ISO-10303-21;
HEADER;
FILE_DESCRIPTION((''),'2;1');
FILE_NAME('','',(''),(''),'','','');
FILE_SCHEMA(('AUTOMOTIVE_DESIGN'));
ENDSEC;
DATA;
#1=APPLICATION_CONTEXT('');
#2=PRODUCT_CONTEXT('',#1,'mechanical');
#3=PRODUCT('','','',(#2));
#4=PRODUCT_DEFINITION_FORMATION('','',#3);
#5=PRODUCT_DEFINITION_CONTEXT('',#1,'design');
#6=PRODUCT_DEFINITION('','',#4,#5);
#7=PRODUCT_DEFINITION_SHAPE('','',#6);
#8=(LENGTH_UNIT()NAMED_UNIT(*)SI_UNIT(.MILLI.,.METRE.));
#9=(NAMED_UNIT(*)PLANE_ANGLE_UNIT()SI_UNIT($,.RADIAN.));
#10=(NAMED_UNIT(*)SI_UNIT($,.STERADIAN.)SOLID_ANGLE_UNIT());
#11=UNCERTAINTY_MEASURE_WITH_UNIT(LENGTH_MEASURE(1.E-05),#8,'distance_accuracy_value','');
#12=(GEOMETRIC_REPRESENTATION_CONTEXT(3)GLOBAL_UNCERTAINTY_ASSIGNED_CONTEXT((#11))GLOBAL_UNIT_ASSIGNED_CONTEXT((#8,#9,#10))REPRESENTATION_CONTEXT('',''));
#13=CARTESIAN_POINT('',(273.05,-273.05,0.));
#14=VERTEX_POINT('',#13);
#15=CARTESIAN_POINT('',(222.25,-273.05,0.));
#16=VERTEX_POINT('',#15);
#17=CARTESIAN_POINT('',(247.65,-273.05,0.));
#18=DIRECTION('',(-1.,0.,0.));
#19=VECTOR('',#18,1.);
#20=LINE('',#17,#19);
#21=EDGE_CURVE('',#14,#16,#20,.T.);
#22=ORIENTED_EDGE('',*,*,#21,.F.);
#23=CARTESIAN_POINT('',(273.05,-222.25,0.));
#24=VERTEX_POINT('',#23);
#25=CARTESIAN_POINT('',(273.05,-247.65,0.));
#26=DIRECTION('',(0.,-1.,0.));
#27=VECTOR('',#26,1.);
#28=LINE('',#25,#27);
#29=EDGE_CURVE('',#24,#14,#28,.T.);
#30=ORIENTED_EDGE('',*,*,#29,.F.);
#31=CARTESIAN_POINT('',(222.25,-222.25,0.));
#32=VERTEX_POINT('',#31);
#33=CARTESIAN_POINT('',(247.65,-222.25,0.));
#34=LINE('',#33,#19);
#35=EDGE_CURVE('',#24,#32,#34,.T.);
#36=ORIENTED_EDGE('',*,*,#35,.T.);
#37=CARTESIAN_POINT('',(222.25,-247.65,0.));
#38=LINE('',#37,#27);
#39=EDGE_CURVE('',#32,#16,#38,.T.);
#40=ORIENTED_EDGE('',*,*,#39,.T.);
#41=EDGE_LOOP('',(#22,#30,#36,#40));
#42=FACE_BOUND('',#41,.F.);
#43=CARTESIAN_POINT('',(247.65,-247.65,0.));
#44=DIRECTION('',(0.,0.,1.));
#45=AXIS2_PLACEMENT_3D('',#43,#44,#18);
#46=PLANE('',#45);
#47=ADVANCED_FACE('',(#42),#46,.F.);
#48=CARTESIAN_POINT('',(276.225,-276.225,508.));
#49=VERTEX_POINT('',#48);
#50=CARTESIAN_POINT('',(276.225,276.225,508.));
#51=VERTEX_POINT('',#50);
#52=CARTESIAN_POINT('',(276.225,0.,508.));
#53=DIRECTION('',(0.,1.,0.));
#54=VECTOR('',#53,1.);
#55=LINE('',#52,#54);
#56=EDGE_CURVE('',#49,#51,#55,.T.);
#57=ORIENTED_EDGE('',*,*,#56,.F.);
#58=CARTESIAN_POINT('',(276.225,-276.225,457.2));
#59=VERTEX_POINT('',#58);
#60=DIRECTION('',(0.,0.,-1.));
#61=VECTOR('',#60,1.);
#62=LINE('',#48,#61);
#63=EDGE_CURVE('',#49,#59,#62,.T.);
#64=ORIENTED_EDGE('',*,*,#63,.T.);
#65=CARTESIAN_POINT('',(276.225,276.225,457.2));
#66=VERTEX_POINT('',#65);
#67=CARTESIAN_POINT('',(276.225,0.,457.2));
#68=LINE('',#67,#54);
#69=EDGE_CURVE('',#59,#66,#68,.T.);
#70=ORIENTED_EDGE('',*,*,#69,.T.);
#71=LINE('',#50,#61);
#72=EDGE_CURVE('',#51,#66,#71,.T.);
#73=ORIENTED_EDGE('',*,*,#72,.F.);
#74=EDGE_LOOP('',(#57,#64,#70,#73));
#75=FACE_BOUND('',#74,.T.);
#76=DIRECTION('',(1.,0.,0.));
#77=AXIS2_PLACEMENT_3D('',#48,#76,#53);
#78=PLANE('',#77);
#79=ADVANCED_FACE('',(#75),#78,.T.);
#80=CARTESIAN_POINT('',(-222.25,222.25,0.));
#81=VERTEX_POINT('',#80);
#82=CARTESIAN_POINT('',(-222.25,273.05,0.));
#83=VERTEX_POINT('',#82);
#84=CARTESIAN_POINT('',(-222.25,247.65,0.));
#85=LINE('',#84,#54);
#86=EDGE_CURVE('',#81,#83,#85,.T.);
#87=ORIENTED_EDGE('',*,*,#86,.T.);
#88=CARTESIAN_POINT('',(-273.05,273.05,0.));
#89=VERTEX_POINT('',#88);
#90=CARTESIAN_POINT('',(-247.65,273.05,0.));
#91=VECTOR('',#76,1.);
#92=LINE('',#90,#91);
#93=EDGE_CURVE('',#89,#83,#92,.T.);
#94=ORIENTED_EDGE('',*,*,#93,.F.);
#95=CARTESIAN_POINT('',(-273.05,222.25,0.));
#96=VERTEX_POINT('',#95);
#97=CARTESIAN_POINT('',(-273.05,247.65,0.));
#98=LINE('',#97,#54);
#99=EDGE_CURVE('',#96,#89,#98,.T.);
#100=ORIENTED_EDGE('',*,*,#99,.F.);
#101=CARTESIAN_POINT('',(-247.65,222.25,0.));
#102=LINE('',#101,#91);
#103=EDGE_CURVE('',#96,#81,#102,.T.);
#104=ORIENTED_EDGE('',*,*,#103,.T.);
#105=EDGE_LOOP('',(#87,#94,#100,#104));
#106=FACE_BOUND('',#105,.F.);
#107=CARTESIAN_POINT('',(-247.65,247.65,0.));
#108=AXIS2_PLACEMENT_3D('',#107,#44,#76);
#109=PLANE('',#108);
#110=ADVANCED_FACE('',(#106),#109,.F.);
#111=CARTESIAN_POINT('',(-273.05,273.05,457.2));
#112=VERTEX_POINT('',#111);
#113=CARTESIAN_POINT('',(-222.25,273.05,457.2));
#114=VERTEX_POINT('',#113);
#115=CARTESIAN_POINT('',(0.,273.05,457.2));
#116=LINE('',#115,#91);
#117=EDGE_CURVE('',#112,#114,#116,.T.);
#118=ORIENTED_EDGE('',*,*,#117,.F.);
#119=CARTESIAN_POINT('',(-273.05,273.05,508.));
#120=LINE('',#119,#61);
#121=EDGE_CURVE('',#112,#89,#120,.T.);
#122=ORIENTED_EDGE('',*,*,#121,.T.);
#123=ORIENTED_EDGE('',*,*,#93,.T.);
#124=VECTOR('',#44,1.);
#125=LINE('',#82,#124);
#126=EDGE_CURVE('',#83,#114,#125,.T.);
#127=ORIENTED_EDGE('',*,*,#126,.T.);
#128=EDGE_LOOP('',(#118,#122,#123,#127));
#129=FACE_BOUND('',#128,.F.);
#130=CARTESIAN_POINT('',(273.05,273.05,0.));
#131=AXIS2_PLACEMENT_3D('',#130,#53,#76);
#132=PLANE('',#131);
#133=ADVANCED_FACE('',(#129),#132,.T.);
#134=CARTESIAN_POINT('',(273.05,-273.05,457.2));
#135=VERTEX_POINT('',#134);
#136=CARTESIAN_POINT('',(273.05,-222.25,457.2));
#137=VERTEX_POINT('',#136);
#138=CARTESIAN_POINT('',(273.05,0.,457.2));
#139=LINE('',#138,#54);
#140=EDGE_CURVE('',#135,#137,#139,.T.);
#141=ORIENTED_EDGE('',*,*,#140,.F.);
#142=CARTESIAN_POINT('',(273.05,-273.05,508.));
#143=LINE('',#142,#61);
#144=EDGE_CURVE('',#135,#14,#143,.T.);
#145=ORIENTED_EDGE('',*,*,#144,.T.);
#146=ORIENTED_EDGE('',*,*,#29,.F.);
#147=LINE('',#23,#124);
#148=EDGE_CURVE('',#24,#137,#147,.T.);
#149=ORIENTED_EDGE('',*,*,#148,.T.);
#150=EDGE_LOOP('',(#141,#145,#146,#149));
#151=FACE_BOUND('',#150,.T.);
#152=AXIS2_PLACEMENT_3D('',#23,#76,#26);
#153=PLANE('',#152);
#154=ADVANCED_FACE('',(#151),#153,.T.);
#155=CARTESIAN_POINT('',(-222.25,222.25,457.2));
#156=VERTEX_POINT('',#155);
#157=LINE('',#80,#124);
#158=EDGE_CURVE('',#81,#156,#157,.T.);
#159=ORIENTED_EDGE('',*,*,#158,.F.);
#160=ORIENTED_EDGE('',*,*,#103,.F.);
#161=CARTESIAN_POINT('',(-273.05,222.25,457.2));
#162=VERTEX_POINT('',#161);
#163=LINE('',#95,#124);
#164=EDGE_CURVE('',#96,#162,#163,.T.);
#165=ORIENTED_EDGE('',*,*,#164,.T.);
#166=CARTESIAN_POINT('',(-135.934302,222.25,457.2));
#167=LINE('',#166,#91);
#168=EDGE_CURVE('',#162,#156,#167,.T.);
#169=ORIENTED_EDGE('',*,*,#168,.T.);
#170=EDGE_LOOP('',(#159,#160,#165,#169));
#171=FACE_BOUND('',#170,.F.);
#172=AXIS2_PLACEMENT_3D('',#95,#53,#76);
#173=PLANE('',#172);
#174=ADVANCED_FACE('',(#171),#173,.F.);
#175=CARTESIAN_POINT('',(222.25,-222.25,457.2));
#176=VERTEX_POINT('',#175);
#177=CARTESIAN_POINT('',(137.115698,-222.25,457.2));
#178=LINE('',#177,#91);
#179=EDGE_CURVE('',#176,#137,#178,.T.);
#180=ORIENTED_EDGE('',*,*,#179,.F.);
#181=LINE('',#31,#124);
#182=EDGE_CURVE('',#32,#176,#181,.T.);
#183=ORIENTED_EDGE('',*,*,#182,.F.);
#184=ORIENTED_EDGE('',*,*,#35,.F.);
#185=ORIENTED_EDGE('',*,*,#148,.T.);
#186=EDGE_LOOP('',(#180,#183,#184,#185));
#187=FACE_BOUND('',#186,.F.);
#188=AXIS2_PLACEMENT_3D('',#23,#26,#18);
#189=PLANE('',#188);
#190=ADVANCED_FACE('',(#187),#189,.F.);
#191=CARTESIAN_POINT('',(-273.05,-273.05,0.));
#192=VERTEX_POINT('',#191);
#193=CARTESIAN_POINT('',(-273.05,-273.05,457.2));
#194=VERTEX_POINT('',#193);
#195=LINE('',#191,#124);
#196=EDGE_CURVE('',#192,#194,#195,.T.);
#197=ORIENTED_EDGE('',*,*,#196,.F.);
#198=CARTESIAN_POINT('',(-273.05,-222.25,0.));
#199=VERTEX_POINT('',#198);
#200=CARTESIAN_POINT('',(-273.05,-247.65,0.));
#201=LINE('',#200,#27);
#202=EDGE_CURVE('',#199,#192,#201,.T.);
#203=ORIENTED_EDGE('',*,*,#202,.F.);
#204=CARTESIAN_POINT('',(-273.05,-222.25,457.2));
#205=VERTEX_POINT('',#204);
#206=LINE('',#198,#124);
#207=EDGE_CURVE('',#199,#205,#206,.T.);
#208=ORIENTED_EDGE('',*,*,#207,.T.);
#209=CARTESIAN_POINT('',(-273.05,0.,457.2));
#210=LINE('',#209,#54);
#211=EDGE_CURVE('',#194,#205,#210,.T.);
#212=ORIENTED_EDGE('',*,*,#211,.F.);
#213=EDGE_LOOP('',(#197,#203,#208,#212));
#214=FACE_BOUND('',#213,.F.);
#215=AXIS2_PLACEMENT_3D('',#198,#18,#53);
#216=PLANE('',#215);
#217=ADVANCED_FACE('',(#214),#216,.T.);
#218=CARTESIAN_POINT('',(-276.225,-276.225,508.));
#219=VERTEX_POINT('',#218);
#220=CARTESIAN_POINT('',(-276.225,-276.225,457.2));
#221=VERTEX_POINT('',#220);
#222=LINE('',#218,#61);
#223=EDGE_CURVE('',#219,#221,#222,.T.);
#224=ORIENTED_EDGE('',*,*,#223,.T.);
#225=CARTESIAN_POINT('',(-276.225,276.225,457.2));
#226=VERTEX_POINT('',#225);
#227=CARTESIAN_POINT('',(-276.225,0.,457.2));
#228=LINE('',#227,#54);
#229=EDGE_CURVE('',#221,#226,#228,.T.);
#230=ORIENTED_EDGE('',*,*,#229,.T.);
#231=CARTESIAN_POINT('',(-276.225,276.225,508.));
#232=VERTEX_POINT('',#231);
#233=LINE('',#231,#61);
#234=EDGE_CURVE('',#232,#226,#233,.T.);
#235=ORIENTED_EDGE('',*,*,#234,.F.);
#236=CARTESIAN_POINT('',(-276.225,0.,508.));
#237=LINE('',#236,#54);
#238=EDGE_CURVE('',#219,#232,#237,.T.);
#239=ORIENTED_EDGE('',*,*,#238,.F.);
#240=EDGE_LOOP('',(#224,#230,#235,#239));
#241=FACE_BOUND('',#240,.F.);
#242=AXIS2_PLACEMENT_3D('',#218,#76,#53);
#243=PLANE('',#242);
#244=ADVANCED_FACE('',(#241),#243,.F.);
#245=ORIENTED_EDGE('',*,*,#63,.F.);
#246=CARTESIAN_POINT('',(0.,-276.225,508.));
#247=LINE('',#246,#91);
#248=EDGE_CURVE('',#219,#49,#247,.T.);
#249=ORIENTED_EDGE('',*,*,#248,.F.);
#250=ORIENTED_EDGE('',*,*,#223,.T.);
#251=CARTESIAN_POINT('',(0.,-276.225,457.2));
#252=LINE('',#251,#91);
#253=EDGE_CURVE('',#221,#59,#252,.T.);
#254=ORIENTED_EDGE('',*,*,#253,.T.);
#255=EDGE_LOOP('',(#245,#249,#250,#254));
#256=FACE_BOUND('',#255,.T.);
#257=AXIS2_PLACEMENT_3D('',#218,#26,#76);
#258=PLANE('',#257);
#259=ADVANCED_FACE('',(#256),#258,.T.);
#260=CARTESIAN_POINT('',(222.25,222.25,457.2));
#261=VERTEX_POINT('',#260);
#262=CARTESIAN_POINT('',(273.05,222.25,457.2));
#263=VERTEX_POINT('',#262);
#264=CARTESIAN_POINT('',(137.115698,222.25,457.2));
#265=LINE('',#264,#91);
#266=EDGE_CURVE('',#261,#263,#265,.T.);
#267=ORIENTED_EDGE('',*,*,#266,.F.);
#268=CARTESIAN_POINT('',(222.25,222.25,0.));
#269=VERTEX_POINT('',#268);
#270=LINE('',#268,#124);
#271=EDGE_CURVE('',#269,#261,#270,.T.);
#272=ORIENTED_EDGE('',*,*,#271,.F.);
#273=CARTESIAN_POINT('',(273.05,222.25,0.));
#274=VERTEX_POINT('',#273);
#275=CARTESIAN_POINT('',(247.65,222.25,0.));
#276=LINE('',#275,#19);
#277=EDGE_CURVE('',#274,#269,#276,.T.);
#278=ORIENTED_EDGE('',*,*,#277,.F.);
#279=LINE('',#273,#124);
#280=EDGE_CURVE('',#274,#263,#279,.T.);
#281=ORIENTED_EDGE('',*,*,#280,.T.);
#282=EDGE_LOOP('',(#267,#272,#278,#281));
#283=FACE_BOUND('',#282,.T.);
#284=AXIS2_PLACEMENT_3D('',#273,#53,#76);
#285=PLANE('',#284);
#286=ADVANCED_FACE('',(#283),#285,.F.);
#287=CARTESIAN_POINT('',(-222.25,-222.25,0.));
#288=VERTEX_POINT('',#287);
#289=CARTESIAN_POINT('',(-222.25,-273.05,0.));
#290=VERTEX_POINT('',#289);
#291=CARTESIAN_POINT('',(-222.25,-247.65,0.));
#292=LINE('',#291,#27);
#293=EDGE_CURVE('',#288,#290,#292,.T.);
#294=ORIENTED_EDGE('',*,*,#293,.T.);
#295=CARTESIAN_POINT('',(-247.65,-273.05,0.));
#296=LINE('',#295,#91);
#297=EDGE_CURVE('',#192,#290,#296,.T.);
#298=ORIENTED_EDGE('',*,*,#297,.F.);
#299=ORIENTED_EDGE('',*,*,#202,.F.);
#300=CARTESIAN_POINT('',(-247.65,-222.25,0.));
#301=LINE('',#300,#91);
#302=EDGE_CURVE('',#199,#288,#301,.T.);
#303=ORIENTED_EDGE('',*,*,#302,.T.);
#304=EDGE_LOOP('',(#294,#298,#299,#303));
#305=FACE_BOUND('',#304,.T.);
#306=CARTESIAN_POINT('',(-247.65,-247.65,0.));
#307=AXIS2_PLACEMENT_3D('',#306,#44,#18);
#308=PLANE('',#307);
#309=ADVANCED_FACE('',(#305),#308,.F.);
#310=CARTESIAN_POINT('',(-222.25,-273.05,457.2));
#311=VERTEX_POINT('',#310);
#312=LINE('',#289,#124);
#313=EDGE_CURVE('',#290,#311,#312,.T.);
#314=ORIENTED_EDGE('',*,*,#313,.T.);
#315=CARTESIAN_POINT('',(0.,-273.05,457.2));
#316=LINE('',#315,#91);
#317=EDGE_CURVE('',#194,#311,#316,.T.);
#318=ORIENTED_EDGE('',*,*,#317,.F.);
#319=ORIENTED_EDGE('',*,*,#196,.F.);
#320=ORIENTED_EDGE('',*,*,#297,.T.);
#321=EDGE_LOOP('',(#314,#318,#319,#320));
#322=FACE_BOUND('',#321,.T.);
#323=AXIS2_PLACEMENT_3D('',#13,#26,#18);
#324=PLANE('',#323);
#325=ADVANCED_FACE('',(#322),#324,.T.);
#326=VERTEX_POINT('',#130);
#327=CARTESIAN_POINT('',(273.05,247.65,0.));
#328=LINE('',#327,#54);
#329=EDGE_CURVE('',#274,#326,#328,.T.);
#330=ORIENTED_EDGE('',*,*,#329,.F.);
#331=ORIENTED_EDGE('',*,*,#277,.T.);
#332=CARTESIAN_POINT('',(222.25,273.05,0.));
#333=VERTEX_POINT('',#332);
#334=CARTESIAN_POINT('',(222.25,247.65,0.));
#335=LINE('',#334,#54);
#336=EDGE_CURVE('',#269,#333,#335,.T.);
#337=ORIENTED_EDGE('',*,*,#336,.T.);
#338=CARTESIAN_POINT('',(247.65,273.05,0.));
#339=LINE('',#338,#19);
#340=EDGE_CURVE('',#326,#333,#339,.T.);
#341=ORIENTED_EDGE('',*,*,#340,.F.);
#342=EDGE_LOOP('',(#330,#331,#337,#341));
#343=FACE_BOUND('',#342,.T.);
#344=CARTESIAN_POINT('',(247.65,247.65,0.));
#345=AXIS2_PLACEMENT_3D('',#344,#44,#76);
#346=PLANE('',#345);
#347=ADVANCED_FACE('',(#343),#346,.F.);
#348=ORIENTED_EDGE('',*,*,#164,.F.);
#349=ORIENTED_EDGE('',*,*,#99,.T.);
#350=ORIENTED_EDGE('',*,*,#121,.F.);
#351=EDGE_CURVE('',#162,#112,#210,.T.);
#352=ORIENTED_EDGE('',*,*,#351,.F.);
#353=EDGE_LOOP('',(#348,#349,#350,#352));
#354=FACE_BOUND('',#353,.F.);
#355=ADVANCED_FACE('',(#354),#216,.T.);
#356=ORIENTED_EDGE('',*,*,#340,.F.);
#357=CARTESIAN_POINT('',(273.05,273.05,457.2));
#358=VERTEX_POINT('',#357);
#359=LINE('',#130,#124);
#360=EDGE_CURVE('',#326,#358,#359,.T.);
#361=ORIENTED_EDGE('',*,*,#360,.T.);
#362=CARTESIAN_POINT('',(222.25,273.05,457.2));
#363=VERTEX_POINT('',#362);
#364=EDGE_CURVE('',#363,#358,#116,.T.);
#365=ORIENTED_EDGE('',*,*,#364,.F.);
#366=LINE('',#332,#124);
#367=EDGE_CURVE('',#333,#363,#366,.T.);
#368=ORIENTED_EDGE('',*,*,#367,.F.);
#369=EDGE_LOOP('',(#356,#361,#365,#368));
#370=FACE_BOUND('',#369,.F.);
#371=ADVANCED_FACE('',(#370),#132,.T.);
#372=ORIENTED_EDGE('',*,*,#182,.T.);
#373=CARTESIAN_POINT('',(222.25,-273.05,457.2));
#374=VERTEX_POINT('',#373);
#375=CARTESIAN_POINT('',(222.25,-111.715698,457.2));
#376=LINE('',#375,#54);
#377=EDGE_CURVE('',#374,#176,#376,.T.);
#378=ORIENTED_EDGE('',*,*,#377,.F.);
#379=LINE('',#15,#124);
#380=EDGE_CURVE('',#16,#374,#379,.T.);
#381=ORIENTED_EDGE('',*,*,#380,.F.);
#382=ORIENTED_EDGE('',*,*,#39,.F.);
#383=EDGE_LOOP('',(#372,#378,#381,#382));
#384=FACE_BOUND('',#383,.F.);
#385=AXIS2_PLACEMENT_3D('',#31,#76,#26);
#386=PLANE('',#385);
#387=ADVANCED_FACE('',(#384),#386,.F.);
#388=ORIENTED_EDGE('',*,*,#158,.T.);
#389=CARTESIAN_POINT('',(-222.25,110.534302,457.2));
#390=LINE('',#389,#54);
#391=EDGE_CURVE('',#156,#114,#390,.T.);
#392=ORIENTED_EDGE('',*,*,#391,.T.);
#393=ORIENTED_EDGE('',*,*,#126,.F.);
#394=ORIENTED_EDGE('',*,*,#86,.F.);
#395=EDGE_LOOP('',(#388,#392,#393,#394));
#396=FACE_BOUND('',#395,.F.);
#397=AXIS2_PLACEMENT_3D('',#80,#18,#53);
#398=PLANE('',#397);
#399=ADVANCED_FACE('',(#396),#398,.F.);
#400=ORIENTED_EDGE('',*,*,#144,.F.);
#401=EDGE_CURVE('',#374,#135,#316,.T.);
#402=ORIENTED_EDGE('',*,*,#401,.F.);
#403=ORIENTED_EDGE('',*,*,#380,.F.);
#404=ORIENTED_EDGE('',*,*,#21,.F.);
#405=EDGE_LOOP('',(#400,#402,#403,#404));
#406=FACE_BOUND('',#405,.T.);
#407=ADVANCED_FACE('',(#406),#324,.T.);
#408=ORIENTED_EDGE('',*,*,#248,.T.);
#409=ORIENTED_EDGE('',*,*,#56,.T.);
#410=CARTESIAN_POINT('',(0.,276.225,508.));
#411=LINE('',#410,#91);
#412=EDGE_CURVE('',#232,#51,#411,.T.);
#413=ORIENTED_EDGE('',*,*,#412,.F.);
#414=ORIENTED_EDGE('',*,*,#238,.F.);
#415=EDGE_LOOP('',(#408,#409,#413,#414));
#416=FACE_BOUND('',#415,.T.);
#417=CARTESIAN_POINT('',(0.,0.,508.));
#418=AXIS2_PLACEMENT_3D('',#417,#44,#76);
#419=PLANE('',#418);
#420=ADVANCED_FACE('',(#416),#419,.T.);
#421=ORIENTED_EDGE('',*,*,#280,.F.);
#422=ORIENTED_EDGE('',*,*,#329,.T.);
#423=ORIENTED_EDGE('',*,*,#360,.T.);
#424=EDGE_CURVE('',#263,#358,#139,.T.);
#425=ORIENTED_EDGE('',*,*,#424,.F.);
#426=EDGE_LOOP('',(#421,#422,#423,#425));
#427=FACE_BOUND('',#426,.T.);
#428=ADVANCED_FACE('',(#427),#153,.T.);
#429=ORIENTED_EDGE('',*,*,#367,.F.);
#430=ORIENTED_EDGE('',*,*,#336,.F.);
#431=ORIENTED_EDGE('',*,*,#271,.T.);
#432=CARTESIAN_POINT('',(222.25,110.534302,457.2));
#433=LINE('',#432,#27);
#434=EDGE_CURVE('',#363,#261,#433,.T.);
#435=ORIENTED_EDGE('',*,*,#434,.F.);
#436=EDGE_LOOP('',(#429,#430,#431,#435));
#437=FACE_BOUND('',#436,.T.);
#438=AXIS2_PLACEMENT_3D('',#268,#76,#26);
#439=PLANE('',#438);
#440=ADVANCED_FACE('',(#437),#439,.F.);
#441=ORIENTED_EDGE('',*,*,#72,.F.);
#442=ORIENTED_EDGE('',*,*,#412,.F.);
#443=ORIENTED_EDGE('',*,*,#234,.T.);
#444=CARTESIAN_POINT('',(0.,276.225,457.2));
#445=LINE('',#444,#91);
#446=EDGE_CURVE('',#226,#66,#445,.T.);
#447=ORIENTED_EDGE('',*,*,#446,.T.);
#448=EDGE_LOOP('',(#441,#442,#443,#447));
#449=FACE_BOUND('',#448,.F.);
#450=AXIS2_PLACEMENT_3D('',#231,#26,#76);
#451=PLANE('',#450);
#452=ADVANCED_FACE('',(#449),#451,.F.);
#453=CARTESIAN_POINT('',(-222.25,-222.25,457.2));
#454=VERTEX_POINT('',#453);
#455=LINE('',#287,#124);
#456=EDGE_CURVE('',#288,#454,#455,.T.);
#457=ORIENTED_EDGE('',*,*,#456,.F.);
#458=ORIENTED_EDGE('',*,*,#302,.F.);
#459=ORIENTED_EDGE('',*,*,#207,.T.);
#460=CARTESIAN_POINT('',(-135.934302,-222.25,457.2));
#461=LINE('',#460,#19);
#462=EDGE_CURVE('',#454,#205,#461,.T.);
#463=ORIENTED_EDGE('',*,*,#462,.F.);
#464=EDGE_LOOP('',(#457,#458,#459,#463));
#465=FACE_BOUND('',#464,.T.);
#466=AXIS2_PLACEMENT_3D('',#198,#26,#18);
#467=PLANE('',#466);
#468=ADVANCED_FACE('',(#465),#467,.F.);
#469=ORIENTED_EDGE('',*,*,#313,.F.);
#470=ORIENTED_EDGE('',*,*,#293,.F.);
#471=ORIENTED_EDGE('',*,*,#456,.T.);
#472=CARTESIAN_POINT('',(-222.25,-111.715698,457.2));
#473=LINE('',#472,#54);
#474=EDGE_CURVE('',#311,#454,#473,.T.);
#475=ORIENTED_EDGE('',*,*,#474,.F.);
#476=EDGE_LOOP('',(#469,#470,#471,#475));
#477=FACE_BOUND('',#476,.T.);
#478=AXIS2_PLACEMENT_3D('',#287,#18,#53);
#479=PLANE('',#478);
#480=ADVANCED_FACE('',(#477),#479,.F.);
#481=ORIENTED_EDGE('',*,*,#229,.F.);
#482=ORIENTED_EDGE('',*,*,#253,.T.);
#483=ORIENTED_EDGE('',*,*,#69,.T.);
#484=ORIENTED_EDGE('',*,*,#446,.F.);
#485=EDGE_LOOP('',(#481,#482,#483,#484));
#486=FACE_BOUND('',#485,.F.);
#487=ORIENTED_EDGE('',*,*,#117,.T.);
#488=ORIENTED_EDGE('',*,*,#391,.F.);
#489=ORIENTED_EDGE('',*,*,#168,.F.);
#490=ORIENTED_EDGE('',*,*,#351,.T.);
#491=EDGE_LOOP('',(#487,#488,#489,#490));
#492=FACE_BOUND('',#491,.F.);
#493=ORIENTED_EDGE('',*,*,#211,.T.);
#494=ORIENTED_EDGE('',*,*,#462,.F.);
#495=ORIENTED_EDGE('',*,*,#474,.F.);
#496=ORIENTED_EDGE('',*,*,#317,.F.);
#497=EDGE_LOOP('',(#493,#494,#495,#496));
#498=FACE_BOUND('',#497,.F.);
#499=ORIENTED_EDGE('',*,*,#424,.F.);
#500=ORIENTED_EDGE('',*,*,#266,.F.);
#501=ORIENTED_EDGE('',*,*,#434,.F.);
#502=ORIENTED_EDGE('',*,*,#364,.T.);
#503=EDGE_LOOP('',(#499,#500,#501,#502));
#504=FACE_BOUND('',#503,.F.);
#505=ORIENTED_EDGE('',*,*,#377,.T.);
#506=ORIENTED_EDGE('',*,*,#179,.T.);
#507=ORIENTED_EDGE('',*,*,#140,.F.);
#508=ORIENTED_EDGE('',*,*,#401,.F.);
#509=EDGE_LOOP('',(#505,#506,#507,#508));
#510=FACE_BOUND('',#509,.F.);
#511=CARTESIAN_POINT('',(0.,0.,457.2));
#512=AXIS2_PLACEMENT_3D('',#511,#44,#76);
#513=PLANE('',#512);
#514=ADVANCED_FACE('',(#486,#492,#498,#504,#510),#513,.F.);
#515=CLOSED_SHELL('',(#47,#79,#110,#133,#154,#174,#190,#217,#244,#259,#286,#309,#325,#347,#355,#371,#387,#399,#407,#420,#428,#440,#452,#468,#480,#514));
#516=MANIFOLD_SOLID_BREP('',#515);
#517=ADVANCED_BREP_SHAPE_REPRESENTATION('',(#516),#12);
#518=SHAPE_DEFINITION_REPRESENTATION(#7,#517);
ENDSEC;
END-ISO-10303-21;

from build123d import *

# Parameters (mm, degrees)
F1_W     = 50.8
F1_H     = 50.8
F2_DEPTH = 508
F5_W     = 50.8
F5_H     = 50.8
F6_DEPTH = 50.8
F8_W     = 552.45
F8_H     = 552.45
F8_W_2   = 546.1
F8_H_2   = 546.1
F9_DEPTH = 50.8


with BuildPart() as f2:
    # F1 (on Top) → F2 (new body)
    with BuildSketch(Plane.XY):
        with Locations((-247.65, 247.65)):
            Rectangle(F1_W, F1_H)
    extrude(amount=F2_DEPTH)


with BuildPart() as f3_1:
    # F3: instance of F2
    add(f2.part.mirror(Plane.YZ))


with BuildPart() as f4_1:
    # F4: instance of F2
    add(f2.part.mirror(Plane.XZ))


with BuildPart() as f4_2:
    # F4: instance of F3_1
    add(f3_1.part.mirror(Plane.XZ))


with BuildPart() as f6:
    # F5 (on face) → F6 (new body)
    with BuildSketch(Plane.XY.offset(508)):
        Polygon((-273.05, 222.25), (-273.05, -273.05), (273.05, -273.05), (273.05, 273.05), (-222.25, 273.05), (-222.25, 222.25), align=None)
        with Locations((-247.65, 247.65)):
            Rectangle(F5_W, F5_H)
    extrude(amount=-F6_DEPTH)


with BuildPart() as f2_1:
    add(f2.part)

    # F7: union F6, F3_1, F4_1, F4_2
    add(f6.part)
    add(f3_1.part)
    add(f4_1.part)
    add(f4_2.part)

    # F8 (on face) → F9 (join, through all)
    with BuildSketch(Plane.XY.offset(508)):
        Rectangle(F8_W, F8_H)
        Rectangle(F8_W_2, F8_H_2, mode=Mode.SUBTRACT)
    extrude(amount=-F9_DEPTH)


solid = f2_1.part
